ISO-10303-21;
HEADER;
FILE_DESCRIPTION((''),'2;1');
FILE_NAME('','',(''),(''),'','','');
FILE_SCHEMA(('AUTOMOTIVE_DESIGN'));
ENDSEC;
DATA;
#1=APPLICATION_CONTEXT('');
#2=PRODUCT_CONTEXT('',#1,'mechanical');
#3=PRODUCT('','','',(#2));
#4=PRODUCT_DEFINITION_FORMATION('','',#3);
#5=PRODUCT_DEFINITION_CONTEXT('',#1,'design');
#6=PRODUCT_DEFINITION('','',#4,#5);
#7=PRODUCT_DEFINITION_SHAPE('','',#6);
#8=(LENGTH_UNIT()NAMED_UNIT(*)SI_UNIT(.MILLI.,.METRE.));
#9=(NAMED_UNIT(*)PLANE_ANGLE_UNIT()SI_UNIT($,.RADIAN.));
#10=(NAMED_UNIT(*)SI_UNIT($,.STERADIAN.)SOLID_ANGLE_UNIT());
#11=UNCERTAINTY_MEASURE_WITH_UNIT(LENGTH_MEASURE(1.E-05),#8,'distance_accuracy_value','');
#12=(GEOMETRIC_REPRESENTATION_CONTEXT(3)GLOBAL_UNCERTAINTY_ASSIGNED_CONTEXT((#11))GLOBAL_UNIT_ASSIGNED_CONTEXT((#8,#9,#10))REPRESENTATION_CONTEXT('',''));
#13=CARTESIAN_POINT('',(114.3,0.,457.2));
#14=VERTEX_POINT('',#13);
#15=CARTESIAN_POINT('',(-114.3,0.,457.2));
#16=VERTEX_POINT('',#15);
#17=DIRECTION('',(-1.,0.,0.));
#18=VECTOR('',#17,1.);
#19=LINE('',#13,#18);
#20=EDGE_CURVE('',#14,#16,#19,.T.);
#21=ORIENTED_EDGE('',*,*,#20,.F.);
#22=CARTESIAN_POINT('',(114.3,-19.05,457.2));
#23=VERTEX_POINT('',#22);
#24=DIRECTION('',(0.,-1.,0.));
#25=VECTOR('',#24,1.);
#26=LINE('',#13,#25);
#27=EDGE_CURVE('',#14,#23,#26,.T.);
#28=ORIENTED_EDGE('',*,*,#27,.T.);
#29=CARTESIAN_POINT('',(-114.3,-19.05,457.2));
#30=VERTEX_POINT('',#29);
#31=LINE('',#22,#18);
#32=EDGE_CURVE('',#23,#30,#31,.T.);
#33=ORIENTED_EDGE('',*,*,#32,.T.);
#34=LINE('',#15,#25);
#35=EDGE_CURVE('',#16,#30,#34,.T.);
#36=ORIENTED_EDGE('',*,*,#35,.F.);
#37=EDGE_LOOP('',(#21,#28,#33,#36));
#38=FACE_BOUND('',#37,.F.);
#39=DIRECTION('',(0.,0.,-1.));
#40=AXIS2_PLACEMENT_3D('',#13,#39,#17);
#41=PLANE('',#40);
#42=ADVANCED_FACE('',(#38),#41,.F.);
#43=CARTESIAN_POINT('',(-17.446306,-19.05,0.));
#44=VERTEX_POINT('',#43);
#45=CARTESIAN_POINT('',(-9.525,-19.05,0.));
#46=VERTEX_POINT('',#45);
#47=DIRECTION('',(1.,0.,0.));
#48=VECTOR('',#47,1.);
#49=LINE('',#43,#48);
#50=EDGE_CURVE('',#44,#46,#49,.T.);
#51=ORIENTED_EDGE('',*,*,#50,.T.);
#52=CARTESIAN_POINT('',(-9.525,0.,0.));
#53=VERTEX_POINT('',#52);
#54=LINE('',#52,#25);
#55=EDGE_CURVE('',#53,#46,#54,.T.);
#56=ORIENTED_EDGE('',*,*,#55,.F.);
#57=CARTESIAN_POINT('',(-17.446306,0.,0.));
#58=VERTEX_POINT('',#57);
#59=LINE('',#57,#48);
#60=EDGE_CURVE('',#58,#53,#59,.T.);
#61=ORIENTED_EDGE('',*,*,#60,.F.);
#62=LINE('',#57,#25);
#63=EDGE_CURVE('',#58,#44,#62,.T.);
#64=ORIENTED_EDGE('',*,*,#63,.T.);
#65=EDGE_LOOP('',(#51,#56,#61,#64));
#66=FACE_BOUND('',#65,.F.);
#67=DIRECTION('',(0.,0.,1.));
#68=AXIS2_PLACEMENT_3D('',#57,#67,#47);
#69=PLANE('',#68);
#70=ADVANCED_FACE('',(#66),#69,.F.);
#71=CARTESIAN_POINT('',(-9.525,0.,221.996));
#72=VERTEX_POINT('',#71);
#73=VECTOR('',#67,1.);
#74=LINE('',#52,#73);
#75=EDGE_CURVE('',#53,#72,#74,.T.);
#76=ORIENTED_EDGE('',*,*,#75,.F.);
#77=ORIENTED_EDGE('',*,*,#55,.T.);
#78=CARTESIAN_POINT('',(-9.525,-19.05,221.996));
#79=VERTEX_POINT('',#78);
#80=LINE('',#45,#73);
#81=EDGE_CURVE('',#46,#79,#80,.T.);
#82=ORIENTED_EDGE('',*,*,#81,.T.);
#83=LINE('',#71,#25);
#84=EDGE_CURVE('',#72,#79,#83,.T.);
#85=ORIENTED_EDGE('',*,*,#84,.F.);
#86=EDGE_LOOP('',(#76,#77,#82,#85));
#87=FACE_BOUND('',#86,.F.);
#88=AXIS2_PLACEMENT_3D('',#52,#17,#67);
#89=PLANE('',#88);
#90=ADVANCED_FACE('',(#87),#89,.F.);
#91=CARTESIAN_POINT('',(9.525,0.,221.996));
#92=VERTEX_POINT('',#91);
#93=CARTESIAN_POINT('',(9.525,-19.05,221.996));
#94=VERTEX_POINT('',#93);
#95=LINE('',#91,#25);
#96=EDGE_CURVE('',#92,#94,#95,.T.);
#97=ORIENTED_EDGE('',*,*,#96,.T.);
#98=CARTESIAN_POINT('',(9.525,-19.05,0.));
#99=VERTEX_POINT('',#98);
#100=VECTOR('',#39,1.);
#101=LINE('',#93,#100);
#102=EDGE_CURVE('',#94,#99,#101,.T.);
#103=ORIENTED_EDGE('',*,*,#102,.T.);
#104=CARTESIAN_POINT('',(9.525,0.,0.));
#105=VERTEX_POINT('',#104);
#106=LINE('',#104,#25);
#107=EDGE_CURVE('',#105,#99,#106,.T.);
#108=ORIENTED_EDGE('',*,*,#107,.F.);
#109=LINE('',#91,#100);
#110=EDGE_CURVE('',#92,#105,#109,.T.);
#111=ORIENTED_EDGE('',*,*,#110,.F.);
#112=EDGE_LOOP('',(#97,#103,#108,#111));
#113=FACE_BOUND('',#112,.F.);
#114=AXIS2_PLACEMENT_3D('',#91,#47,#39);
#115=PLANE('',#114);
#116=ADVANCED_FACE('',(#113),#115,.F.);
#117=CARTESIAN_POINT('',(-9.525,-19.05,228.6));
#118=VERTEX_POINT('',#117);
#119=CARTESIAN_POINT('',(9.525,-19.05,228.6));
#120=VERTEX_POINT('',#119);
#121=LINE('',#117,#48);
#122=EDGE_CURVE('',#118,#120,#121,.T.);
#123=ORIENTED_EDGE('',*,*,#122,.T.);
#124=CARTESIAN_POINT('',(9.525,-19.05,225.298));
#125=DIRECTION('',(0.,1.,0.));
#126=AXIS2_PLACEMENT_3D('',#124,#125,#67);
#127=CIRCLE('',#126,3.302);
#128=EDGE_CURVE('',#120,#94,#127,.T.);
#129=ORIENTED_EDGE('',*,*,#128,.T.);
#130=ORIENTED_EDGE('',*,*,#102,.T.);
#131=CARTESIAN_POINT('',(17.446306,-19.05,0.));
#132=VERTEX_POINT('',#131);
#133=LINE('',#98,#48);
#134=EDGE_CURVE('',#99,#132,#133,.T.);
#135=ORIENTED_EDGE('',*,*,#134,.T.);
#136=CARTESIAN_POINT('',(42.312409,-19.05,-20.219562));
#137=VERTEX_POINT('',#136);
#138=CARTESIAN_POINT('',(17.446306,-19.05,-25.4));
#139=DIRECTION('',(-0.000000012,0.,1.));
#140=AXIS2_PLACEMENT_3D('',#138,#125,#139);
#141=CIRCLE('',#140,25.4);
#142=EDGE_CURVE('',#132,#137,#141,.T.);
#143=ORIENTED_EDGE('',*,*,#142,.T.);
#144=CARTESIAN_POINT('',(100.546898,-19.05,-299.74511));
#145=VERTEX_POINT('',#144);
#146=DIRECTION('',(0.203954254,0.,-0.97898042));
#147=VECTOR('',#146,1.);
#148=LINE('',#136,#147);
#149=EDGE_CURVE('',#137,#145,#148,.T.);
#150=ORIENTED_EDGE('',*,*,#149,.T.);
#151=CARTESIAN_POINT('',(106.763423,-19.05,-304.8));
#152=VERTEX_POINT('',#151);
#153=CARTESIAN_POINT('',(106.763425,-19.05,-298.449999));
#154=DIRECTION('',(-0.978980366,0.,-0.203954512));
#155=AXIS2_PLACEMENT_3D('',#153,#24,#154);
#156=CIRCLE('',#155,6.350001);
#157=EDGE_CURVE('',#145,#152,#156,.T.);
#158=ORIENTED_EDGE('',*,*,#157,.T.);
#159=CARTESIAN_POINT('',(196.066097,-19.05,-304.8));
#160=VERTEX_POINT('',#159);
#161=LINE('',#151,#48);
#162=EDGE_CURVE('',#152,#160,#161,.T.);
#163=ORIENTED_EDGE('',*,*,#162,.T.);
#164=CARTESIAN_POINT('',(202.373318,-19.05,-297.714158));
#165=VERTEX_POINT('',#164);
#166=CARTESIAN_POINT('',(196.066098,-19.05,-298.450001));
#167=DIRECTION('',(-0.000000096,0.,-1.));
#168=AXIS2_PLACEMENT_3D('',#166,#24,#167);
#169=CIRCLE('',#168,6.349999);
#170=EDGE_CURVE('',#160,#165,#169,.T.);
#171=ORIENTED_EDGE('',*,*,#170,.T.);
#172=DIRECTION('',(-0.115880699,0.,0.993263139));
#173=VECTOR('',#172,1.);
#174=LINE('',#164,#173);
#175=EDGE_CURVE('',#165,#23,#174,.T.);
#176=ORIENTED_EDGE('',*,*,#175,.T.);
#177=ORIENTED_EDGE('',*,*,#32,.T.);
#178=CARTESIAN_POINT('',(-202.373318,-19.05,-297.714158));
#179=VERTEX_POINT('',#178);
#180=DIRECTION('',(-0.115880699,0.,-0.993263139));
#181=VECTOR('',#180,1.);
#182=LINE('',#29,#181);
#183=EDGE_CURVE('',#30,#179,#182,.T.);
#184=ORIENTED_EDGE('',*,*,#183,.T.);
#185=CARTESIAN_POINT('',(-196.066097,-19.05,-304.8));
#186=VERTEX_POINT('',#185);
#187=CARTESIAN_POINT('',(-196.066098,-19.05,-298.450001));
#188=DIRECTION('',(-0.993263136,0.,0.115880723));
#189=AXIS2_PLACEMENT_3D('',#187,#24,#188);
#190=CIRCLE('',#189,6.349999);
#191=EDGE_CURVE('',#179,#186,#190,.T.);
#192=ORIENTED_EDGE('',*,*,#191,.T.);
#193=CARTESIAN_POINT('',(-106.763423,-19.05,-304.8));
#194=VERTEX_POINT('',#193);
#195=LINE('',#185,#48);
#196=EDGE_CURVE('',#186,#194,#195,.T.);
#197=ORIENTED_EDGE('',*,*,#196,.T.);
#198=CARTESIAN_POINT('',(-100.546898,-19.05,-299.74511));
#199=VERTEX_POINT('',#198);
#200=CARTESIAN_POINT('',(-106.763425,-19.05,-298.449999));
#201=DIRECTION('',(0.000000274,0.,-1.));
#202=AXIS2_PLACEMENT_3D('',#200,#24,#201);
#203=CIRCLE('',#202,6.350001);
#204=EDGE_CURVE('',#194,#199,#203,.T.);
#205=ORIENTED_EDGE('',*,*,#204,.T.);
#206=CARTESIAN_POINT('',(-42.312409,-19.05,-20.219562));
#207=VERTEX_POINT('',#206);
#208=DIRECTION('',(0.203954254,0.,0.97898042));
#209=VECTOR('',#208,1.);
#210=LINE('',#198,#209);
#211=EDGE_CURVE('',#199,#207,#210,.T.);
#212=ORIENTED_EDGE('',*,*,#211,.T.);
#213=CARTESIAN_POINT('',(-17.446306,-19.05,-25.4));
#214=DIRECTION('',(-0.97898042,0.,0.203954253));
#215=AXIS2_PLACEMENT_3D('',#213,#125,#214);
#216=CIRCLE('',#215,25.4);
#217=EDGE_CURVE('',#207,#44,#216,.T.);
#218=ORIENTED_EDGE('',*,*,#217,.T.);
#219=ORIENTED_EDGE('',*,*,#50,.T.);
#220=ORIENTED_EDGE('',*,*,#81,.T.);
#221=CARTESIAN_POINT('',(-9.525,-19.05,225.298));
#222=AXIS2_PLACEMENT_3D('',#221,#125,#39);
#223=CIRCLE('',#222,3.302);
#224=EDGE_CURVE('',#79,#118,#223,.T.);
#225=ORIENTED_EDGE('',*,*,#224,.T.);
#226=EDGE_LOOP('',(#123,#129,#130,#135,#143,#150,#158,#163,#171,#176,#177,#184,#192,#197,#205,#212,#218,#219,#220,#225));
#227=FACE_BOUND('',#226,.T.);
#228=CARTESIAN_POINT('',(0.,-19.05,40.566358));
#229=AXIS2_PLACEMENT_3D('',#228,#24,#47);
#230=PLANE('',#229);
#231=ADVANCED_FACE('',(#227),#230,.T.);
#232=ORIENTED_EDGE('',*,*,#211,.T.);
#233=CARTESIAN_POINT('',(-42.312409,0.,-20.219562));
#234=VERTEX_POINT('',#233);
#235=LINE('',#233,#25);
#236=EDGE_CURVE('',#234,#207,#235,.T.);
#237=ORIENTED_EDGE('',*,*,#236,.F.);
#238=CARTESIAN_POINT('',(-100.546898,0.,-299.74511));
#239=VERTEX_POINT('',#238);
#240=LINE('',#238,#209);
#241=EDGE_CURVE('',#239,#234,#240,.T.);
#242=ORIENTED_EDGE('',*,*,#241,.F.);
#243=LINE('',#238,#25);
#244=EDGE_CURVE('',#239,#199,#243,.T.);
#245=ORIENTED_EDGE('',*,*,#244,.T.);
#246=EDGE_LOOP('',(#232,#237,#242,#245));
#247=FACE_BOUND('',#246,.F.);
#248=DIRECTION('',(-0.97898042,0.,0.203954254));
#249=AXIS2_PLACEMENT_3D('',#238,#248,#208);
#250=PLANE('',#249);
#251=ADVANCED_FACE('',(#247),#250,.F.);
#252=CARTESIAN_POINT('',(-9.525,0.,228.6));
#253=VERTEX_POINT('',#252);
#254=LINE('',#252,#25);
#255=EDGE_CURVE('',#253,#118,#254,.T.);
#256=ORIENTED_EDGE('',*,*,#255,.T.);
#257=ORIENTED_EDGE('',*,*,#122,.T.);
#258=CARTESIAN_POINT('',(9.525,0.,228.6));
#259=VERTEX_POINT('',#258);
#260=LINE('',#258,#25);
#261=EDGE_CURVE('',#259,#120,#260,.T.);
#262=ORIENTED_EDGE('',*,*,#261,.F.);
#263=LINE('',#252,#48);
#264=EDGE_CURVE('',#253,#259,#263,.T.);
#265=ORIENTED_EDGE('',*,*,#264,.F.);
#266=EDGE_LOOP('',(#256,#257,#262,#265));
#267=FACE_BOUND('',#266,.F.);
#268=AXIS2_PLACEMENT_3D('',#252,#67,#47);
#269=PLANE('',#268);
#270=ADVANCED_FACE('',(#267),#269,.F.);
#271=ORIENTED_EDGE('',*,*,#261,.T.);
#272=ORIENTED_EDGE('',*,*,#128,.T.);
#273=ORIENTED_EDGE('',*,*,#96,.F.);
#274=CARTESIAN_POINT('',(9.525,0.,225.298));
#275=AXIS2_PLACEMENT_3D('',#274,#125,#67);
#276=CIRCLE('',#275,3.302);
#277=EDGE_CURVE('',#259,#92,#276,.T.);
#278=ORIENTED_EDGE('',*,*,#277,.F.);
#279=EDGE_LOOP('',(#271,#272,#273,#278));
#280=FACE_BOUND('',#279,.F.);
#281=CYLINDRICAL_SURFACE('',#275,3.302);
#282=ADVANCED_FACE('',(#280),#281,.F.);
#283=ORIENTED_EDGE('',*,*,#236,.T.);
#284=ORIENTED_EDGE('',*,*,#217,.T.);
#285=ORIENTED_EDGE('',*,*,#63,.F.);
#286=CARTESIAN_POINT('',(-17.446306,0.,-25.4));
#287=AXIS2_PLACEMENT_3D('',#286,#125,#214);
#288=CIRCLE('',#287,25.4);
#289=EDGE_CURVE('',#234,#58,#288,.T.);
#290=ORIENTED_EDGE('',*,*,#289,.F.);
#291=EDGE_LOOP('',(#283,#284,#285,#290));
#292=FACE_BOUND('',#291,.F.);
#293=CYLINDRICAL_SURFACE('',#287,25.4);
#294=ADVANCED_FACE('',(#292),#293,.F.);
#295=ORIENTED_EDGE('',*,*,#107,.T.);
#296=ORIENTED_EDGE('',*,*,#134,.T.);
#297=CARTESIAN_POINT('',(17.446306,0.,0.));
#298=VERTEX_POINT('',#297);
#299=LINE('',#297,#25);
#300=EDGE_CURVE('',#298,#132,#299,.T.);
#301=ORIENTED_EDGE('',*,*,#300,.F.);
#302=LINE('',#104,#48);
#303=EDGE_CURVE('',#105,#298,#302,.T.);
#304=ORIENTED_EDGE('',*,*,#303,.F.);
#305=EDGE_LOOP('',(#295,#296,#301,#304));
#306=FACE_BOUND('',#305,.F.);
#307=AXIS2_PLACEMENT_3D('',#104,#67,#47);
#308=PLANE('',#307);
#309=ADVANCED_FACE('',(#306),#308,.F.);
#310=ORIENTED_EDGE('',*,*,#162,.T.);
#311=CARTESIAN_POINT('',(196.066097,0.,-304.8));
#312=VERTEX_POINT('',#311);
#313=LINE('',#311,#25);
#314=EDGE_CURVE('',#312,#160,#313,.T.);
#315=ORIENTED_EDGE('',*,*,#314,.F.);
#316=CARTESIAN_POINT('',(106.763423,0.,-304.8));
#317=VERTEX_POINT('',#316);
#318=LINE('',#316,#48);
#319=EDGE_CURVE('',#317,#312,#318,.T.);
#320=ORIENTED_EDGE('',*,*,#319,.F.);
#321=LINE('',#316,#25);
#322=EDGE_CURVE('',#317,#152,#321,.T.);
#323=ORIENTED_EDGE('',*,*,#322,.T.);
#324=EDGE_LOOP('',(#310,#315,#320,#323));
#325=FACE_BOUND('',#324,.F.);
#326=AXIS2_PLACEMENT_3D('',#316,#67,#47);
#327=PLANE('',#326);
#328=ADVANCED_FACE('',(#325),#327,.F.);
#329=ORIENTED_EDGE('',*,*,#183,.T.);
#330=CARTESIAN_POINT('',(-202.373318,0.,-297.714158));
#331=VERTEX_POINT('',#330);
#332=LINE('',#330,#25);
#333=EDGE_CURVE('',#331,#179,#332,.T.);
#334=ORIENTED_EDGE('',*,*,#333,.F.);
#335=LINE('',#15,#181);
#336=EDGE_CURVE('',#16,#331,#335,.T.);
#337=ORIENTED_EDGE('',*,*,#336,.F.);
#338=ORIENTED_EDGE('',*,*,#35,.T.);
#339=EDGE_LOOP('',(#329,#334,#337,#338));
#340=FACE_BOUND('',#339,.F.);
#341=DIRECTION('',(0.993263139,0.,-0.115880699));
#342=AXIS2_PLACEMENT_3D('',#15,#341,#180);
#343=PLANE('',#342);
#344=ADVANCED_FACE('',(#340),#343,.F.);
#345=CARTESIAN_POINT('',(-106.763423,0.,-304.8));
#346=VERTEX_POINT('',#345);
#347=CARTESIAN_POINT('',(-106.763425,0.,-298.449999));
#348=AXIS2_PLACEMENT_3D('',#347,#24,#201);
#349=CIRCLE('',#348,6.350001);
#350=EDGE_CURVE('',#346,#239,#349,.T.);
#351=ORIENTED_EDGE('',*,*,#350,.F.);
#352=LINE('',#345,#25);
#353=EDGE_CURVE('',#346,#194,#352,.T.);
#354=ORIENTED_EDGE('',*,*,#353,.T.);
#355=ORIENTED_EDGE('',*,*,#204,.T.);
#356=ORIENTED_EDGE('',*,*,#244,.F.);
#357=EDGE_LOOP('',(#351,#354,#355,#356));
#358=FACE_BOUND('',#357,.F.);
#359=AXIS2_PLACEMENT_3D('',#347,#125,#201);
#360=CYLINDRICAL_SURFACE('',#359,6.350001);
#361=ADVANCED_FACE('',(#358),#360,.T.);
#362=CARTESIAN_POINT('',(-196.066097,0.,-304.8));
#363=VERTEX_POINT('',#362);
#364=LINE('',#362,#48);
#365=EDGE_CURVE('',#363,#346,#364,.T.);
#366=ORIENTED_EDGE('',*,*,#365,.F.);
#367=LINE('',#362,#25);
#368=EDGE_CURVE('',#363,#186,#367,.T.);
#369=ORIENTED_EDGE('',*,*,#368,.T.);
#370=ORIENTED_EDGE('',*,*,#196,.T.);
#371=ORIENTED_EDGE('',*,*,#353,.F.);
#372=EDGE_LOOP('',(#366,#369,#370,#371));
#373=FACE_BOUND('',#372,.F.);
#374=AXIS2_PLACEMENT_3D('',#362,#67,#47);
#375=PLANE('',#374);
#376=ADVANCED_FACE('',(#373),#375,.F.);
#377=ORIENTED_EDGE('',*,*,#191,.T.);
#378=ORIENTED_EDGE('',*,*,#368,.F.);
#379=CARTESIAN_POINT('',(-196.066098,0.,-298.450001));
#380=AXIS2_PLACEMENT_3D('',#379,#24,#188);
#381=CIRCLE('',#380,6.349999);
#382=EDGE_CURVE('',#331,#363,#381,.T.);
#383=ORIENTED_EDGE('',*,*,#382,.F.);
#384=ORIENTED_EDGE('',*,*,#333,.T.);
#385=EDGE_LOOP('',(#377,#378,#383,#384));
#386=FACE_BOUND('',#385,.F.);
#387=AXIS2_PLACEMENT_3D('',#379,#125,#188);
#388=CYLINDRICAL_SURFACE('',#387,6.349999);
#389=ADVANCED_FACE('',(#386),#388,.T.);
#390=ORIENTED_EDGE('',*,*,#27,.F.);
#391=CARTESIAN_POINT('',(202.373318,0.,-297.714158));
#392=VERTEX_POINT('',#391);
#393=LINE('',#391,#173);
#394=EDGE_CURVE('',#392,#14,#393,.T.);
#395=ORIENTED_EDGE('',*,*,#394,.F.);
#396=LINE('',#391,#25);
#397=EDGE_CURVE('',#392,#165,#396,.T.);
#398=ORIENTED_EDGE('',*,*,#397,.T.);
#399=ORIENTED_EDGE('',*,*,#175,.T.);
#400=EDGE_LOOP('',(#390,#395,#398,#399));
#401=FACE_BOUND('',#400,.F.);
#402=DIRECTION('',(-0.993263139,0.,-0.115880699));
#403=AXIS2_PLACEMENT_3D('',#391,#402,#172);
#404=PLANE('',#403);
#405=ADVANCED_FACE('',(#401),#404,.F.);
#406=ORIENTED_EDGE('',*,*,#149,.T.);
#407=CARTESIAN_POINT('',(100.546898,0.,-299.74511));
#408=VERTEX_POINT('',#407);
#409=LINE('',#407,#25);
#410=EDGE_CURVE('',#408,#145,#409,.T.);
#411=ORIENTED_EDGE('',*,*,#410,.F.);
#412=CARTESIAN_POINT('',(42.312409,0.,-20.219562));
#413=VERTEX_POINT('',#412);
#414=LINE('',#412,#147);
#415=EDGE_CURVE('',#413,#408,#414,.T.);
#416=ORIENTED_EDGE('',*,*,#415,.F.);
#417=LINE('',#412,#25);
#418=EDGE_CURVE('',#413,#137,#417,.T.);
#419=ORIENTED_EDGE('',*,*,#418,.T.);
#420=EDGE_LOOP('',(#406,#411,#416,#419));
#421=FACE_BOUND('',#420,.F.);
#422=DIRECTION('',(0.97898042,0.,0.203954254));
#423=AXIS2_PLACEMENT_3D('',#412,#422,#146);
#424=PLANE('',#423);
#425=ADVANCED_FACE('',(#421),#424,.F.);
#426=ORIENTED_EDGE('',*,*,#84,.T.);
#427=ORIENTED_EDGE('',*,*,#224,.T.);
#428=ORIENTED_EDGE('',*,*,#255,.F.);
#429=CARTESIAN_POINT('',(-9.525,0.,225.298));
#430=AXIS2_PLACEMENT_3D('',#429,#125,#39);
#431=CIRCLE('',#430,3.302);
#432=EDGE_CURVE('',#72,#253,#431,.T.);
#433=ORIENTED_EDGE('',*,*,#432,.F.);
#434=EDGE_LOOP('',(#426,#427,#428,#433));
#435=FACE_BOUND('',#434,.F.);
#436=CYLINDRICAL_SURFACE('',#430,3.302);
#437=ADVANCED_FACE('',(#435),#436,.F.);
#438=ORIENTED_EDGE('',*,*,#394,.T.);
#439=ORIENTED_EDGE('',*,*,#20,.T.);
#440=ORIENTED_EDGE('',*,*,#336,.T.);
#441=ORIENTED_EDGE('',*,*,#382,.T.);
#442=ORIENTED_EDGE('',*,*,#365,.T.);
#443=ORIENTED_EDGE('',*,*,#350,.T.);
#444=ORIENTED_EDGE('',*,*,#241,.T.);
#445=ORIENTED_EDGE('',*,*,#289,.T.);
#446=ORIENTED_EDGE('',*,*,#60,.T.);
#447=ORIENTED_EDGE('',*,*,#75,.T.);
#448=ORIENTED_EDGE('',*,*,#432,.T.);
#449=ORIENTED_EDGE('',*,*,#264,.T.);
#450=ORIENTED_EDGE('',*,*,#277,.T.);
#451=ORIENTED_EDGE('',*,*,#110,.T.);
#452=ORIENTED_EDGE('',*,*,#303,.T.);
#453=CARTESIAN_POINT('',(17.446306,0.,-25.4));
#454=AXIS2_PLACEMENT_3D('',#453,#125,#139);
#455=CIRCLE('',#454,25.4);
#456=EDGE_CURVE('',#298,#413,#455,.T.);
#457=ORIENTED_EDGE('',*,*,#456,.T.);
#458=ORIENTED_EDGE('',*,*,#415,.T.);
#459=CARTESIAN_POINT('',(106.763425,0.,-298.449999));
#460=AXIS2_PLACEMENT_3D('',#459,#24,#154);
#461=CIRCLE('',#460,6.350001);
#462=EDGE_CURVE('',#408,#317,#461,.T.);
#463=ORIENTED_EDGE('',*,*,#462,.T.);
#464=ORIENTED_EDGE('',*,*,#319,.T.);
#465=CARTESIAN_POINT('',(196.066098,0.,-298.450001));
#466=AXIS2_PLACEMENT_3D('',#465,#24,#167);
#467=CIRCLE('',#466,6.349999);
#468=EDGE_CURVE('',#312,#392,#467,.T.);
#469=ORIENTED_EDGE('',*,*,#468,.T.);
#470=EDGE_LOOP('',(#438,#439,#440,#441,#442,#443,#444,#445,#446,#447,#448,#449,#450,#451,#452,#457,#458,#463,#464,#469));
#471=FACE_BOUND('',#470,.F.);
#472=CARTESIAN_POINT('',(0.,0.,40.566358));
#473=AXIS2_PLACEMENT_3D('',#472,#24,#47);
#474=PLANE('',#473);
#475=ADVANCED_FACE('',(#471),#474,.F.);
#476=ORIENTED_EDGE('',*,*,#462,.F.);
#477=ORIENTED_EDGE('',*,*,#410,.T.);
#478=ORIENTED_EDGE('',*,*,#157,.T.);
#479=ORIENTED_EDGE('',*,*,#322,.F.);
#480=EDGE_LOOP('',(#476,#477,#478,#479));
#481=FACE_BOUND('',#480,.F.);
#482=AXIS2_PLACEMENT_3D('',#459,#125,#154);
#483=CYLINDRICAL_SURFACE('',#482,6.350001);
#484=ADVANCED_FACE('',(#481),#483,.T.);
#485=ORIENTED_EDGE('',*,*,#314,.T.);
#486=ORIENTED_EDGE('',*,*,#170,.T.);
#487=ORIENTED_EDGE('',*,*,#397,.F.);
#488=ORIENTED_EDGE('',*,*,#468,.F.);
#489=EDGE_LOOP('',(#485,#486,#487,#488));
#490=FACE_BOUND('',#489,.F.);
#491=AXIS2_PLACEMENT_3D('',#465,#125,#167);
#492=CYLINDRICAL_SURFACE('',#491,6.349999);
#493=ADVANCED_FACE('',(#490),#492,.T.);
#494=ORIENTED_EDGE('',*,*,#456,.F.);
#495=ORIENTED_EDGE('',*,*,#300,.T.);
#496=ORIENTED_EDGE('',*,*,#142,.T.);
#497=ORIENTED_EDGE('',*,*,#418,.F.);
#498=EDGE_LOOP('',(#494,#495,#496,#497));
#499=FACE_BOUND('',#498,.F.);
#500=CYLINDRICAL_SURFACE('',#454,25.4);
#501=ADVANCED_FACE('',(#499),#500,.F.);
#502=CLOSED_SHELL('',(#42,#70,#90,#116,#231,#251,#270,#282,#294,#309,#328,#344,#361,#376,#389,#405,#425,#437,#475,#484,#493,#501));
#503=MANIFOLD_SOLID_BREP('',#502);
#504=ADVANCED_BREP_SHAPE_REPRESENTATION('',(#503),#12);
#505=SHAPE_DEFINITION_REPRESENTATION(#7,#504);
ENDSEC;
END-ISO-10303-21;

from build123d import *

# Parameters (mm, degrees)
F1_DEPTH = 19.05


with BuildPart() as f1:
    # F0 (on Front) → F1 (new body)
    with BuildSketch(Plane.XZ):
        with BuildLine():
            Line((-114.3, 457.2), (-202.373318, -297.714158))
            ThreePointArc((-202.373318, -297.714158), (-200.809256, -302.67196), (-196.066097, -304.8))
            Line((-196.066097, -304.8), (-106.763423, -304.8))
            ThreePointArc((-106.763423, -304.8), (-102.757269, -303.376786), (-100.546898, -299.74511))
            Line((-100.546898, -299.74511), (-42.312409, -20.219562))
            ThreePointArc((-42.312409, -20.219562), (-33.470926, -5.692855), (-17.446306, 0))
            Line((-17.446306, 0), (-9.525, 0))
            Line((-9.525, 0), (-9.525, 221.996))
            ThreePointArc((-9.525, 221.996), (-12.827, 225.298), (-9.525, 228.6))
            Line((-9.525, 228.6), (9.525, 228.6))
            ThreePointArc((9.525, 228.6), (12.827, 225.298), (9.525, 221.996))
            Line((9.525, 221.996), (9.525, 0))
            Line((9.525, 0), (17.446306, 0))
            ThreePointArc((17.446306, 0), (33.470926, -5.692855), (42.312409, -20.219562))
            Line((42.312409, -20.219562), (100.546898, -299.74511))
            ThreePointArc((100.546898, -299.74511), (102.757269, -303.376786), (106.763423, -304.8))
            Line((106.763423, -304.8), (196.066097, -304.8))
            ThreePointArc((196.066097, -304.8), (200.809256, -302.67196), (202.373318, -297.714158))
            Line((202.373318, -297.714158), (114.3, 457.2))
            Line((114.3, 457.2), (9.525, 457.2))
            Line((9.525, 457.2), (-114.3, 457.2))
        make_face()
    extrude(amount=F1_DEPTH)


solid = f1.part
